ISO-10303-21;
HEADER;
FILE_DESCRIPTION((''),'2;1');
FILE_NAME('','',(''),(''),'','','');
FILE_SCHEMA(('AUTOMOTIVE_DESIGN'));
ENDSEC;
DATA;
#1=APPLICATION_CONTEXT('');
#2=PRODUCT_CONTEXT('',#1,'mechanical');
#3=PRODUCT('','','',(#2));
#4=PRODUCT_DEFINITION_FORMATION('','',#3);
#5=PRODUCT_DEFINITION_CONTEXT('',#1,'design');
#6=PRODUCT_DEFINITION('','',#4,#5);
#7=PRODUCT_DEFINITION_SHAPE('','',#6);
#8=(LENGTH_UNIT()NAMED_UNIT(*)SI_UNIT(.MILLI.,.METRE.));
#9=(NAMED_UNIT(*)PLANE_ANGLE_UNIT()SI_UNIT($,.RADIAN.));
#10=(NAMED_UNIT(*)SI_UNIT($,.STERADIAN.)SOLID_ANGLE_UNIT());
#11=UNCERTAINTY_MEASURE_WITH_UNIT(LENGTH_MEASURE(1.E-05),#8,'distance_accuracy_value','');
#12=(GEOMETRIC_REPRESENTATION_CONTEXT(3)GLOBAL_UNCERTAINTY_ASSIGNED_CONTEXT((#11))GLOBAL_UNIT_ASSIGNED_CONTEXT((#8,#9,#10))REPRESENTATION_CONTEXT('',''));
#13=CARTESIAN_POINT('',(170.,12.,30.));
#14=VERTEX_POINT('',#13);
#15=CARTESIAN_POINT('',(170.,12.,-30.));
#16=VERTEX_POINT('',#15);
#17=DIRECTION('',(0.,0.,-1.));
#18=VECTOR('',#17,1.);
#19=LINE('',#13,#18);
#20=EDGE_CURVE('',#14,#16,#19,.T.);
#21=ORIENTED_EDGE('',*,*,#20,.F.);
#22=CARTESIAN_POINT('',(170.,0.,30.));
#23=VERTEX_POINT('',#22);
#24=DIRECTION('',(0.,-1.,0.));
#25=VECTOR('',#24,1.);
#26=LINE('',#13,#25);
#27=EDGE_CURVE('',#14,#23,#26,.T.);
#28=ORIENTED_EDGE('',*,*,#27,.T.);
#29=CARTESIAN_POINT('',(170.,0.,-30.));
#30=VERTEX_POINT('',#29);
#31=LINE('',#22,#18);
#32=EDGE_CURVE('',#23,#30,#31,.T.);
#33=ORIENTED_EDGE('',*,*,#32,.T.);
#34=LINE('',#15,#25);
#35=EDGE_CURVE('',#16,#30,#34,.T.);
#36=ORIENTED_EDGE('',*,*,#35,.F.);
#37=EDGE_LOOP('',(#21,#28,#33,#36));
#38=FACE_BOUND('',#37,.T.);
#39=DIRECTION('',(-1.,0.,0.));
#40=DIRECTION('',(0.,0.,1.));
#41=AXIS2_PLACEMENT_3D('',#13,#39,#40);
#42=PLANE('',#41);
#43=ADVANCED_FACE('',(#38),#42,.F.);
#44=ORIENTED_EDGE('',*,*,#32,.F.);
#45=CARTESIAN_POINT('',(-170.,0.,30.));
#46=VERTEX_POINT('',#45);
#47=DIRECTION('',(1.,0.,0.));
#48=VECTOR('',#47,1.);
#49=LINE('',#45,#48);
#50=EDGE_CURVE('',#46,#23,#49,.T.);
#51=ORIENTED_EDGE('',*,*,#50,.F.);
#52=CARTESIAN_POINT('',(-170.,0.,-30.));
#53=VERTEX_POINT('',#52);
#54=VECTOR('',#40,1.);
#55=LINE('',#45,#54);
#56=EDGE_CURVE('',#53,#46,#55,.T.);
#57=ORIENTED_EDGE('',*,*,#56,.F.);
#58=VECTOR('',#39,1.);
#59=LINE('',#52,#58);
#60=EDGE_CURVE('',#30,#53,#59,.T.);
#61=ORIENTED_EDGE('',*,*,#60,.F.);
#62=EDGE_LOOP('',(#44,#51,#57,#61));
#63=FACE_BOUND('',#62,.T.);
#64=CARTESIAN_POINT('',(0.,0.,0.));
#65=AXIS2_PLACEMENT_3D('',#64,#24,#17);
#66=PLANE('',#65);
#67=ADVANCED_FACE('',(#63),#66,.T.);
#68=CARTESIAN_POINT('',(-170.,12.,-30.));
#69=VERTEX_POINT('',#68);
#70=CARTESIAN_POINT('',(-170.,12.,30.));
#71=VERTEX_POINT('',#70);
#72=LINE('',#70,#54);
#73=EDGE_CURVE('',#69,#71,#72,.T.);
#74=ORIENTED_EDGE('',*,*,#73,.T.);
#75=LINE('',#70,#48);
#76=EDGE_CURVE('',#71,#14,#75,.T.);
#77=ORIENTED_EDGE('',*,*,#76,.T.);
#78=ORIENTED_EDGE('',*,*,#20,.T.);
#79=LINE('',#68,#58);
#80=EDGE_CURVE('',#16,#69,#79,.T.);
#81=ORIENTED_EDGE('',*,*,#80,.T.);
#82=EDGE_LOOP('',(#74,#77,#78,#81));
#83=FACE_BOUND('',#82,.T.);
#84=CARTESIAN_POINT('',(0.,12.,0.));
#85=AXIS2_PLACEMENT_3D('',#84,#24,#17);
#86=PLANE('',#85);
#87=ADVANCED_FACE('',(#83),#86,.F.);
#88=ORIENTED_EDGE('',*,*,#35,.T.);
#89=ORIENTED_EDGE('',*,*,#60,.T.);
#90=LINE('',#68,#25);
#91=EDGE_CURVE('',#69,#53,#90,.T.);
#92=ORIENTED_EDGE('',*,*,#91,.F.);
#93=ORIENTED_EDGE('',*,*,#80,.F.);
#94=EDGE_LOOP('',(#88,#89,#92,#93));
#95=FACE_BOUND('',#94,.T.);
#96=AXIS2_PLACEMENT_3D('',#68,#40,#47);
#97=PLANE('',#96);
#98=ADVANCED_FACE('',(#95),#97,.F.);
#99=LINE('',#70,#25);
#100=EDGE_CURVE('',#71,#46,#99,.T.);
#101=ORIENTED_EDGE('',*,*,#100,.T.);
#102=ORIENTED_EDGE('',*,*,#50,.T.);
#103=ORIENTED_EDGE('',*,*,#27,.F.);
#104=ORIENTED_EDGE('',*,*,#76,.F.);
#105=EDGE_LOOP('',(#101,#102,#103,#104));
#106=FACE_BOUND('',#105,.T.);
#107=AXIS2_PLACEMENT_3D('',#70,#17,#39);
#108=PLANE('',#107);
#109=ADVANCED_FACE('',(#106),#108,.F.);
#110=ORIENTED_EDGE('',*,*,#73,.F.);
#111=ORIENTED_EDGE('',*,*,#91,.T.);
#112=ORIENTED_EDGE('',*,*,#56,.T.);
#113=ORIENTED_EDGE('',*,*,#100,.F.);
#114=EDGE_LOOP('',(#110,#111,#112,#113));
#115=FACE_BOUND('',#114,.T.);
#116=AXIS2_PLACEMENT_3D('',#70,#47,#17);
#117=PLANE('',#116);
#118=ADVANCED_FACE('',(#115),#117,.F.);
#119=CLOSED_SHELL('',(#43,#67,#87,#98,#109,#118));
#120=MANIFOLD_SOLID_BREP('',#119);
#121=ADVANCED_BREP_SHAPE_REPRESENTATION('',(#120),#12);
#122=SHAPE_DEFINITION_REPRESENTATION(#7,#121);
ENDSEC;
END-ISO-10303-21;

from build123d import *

# Parameters (mm, degrees)
ESBO_O1_W                = 340
ESBO_O1_H                = 60
RESSALTO_EXTRUS_O1_DEPTH = 12


with BuildPart() as part:
    # Esboço1 → Ressalto-extrusão1 (new body)
    with BuildSketch(Plane(origin=(0, 0, 0), x_dir=(1, 0, 0), z_dir=(0, 1, 0))):
        Rectangle(ESBO_O1_W, ESBO_O1_H)
    extrude(amount=RESSALTO_EXTRUS_O1_DEPTH)


solid = part.part
